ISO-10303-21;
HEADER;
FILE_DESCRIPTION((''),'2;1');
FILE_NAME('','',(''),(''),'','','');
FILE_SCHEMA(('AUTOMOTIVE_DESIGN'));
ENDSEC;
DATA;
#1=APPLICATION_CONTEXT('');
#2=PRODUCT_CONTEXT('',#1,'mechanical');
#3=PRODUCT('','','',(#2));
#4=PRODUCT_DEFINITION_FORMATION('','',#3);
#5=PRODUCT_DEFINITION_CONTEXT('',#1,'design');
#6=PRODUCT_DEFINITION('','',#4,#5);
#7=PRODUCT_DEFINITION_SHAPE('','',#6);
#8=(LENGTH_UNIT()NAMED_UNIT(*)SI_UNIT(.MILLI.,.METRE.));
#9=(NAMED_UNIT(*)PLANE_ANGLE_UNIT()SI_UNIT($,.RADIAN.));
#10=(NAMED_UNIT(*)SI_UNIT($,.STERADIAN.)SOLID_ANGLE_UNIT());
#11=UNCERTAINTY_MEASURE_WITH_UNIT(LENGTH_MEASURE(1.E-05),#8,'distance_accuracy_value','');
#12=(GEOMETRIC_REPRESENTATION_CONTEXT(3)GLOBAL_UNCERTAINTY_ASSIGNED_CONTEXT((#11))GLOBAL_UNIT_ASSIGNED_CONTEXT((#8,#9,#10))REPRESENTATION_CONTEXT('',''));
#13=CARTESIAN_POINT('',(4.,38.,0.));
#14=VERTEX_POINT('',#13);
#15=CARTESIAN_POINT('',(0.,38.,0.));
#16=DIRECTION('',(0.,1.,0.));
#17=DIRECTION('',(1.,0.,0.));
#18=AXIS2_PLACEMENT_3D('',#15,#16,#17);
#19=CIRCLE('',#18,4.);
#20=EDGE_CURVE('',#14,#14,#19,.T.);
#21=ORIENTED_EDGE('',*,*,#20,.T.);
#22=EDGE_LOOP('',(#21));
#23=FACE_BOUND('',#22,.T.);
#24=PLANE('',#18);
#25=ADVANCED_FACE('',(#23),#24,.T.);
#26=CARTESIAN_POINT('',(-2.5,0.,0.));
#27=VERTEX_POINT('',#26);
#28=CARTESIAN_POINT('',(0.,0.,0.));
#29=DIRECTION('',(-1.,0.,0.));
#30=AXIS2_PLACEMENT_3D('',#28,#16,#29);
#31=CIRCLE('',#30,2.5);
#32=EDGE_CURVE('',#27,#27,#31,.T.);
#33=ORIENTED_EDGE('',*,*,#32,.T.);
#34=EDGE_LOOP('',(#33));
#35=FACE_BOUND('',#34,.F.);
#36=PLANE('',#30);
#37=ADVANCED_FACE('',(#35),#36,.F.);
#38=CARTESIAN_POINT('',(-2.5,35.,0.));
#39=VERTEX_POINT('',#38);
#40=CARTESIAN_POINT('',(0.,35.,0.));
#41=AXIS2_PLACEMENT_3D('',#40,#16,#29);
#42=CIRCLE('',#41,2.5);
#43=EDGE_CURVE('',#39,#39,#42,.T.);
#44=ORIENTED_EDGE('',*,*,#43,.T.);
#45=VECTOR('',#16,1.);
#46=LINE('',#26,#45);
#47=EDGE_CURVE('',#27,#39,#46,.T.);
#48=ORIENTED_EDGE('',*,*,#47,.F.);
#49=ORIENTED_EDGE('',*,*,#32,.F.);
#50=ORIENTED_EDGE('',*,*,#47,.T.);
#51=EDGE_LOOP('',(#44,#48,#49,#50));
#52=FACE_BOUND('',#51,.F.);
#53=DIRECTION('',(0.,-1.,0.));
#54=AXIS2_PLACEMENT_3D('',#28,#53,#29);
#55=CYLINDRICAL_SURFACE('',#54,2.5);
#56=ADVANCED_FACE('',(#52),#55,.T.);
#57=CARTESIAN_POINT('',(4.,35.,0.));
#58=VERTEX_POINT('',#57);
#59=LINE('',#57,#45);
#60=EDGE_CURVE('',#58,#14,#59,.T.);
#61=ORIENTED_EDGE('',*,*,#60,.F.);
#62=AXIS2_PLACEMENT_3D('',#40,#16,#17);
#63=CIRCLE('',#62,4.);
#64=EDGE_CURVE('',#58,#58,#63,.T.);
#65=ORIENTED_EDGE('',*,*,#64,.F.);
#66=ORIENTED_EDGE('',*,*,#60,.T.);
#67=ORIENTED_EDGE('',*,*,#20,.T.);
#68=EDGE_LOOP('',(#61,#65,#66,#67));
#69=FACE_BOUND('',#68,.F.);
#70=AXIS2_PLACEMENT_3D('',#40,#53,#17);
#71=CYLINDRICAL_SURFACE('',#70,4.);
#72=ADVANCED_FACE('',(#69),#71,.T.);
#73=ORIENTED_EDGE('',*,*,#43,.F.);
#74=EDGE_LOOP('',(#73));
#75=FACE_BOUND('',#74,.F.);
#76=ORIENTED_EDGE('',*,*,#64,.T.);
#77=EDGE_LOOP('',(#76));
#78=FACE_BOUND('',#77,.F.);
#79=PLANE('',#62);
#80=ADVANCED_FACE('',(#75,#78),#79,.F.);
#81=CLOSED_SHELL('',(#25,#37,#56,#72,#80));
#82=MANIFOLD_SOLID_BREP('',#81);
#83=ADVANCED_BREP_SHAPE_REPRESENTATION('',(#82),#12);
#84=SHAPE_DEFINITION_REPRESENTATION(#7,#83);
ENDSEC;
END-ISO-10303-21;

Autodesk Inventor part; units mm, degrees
ref_plane "YZ Plane" through (0, 0, 0) normal (1, 0, 0) x (0, 1, 0)
ref_plane "XZ Plane" through (0, 0, 0) normal (0, 1, 0) x (-1, 0, 0)
ref_plane "XY Plane" through (0, 0, 0) normal (0, 0, 1) x (1, 0, 0)
sketch "Sketch1" plane through (0, 0, 0) normal (0, 1, 0) x (-1, 0, 0)
  circle A0 centre (0, 0) radius 2.5
  dimension "d0" = 5
extrude "Extrusion1" add sketch "Sketch1" along normal blind 35
sketch "Sketch2" plane through (0, 35, 0) normal (0, 1, 0) x (1, 0, 0)
  circle A0 centre (0, 0) radius 4
  dimension "d3" = 8
extrude "Extrusion2" add sketch "Sketch2" along normal blind 3
properties part number "idler puley bolt"
